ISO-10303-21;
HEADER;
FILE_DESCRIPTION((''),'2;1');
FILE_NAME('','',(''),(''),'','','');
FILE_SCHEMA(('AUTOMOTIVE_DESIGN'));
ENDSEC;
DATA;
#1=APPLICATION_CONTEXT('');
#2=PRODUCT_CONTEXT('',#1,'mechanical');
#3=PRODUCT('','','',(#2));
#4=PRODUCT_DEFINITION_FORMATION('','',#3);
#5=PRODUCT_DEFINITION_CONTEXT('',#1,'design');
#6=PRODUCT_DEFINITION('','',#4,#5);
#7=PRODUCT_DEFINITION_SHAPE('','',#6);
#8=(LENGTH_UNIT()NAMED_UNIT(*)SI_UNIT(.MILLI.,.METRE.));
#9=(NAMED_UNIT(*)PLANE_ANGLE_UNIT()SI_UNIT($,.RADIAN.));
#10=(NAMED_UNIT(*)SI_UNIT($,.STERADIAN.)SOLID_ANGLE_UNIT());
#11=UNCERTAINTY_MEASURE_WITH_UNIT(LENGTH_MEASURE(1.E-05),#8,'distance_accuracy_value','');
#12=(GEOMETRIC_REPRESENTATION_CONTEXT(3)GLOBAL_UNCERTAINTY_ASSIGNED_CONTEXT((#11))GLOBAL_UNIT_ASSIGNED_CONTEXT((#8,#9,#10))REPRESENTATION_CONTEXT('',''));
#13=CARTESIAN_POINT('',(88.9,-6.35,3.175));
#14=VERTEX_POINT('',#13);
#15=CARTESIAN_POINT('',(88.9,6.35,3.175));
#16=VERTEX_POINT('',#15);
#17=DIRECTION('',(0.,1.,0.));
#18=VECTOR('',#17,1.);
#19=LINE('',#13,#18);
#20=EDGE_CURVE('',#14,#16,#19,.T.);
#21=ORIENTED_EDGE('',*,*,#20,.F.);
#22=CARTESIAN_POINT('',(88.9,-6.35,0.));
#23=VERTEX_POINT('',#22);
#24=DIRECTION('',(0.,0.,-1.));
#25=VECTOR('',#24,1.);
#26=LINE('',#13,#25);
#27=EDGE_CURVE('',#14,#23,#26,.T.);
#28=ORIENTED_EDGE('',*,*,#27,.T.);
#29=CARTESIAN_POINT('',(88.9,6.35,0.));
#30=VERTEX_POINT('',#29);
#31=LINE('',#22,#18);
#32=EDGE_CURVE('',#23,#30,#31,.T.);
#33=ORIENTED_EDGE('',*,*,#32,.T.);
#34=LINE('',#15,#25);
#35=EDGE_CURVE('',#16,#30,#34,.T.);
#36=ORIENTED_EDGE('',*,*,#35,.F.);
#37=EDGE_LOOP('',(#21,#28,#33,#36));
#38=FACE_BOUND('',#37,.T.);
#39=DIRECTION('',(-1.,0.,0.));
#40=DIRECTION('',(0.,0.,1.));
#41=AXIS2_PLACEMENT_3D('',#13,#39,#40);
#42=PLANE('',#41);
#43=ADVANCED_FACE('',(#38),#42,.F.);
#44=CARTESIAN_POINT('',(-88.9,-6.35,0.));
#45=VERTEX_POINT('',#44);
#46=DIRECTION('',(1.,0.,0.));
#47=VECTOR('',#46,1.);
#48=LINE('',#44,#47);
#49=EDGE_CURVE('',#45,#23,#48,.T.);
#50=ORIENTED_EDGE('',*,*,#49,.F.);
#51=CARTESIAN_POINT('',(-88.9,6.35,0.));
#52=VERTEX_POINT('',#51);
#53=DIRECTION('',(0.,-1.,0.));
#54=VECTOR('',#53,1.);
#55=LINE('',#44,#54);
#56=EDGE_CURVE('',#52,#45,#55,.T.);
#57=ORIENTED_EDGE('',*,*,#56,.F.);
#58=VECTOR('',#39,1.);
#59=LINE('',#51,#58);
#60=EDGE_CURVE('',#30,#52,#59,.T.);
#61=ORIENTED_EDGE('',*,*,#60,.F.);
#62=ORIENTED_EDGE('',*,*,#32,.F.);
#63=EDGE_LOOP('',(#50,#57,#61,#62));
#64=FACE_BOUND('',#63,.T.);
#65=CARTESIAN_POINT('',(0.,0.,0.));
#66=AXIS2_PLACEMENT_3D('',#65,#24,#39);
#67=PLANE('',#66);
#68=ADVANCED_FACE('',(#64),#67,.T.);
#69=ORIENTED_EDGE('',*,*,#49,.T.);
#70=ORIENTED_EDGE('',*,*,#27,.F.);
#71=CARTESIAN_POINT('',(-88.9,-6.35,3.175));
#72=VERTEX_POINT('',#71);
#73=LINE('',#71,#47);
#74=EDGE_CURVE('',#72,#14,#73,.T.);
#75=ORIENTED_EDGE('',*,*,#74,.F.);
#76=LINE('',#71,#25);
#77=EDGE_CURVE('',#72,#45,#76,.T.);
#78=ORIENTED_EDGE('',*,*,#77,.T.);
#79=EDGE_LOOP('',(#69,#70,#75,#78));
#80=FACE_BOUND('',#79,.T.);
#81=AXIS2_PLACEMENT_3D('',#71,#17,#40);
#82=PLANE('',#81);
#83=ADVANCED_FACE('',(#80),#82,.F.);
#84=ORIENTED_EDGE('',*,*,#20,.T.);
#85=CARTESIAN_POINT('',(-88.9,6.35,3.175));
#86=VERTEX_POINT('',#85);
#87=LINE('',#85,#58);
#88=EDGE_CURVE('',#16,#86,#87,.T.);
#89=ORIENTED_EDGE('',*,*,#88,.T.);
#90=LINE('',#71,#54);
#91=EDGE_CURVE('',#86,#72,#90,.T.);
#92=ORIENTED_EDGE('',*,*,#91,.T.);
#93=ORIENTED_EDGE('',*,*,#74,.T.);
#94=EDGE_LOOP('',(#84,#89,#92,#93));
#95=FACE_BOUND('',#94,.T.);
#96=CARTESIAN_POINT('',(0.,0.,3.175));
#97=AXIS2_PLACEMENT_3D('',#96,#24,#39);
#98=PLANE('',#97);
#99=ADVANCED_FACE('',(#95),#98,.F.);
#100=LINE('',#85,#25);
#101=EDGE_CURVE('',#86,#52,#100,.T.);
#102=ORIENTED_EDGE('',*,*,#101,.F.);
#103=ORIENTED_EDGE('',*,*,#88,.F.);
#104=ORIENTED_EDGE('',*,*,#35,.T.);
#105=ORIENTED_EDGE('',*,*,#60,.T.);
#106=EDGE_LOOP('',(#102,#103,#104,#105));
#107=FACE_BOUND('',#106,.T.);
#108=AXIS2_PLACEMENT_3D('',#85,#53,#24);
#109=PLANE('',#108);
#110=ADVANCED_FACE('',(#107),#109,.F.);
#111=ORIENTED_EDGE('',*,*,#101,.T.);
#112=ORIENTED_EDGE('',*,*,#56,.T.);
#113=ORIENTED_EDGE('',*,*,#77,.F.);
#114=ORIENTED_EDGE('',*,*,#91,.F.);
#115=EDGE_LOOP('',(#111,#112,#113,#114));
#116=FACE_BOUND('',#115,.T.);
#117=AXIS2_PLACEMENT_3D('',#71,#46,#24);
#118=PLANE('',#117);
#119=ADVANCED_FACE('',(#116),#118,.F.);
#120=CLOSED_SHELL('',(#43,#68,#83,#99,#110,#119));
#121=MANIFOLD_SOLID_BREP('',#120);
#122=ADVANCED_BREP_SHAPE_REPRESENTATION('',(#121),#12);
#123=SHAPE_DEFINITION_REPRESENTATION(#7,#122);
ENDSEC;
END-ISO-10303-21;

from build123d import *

# Parameters (mm, degrees)
SKETCH1_W           = 177.8
SKETCH1_H           = 12.7
BOSS_EXTRUDE1_DEPTH = 3.175


with BuildPart() as part:
    # Sketch1 → Boss-Extrude1 (new body)
    with BuildSketch(Plane.XY):
        Rectangle(SKETCH1_W, SKETCH1_H)
    extrude(amount=BOSS_EXTRUDE1_DEPTH)


solid = part.part
